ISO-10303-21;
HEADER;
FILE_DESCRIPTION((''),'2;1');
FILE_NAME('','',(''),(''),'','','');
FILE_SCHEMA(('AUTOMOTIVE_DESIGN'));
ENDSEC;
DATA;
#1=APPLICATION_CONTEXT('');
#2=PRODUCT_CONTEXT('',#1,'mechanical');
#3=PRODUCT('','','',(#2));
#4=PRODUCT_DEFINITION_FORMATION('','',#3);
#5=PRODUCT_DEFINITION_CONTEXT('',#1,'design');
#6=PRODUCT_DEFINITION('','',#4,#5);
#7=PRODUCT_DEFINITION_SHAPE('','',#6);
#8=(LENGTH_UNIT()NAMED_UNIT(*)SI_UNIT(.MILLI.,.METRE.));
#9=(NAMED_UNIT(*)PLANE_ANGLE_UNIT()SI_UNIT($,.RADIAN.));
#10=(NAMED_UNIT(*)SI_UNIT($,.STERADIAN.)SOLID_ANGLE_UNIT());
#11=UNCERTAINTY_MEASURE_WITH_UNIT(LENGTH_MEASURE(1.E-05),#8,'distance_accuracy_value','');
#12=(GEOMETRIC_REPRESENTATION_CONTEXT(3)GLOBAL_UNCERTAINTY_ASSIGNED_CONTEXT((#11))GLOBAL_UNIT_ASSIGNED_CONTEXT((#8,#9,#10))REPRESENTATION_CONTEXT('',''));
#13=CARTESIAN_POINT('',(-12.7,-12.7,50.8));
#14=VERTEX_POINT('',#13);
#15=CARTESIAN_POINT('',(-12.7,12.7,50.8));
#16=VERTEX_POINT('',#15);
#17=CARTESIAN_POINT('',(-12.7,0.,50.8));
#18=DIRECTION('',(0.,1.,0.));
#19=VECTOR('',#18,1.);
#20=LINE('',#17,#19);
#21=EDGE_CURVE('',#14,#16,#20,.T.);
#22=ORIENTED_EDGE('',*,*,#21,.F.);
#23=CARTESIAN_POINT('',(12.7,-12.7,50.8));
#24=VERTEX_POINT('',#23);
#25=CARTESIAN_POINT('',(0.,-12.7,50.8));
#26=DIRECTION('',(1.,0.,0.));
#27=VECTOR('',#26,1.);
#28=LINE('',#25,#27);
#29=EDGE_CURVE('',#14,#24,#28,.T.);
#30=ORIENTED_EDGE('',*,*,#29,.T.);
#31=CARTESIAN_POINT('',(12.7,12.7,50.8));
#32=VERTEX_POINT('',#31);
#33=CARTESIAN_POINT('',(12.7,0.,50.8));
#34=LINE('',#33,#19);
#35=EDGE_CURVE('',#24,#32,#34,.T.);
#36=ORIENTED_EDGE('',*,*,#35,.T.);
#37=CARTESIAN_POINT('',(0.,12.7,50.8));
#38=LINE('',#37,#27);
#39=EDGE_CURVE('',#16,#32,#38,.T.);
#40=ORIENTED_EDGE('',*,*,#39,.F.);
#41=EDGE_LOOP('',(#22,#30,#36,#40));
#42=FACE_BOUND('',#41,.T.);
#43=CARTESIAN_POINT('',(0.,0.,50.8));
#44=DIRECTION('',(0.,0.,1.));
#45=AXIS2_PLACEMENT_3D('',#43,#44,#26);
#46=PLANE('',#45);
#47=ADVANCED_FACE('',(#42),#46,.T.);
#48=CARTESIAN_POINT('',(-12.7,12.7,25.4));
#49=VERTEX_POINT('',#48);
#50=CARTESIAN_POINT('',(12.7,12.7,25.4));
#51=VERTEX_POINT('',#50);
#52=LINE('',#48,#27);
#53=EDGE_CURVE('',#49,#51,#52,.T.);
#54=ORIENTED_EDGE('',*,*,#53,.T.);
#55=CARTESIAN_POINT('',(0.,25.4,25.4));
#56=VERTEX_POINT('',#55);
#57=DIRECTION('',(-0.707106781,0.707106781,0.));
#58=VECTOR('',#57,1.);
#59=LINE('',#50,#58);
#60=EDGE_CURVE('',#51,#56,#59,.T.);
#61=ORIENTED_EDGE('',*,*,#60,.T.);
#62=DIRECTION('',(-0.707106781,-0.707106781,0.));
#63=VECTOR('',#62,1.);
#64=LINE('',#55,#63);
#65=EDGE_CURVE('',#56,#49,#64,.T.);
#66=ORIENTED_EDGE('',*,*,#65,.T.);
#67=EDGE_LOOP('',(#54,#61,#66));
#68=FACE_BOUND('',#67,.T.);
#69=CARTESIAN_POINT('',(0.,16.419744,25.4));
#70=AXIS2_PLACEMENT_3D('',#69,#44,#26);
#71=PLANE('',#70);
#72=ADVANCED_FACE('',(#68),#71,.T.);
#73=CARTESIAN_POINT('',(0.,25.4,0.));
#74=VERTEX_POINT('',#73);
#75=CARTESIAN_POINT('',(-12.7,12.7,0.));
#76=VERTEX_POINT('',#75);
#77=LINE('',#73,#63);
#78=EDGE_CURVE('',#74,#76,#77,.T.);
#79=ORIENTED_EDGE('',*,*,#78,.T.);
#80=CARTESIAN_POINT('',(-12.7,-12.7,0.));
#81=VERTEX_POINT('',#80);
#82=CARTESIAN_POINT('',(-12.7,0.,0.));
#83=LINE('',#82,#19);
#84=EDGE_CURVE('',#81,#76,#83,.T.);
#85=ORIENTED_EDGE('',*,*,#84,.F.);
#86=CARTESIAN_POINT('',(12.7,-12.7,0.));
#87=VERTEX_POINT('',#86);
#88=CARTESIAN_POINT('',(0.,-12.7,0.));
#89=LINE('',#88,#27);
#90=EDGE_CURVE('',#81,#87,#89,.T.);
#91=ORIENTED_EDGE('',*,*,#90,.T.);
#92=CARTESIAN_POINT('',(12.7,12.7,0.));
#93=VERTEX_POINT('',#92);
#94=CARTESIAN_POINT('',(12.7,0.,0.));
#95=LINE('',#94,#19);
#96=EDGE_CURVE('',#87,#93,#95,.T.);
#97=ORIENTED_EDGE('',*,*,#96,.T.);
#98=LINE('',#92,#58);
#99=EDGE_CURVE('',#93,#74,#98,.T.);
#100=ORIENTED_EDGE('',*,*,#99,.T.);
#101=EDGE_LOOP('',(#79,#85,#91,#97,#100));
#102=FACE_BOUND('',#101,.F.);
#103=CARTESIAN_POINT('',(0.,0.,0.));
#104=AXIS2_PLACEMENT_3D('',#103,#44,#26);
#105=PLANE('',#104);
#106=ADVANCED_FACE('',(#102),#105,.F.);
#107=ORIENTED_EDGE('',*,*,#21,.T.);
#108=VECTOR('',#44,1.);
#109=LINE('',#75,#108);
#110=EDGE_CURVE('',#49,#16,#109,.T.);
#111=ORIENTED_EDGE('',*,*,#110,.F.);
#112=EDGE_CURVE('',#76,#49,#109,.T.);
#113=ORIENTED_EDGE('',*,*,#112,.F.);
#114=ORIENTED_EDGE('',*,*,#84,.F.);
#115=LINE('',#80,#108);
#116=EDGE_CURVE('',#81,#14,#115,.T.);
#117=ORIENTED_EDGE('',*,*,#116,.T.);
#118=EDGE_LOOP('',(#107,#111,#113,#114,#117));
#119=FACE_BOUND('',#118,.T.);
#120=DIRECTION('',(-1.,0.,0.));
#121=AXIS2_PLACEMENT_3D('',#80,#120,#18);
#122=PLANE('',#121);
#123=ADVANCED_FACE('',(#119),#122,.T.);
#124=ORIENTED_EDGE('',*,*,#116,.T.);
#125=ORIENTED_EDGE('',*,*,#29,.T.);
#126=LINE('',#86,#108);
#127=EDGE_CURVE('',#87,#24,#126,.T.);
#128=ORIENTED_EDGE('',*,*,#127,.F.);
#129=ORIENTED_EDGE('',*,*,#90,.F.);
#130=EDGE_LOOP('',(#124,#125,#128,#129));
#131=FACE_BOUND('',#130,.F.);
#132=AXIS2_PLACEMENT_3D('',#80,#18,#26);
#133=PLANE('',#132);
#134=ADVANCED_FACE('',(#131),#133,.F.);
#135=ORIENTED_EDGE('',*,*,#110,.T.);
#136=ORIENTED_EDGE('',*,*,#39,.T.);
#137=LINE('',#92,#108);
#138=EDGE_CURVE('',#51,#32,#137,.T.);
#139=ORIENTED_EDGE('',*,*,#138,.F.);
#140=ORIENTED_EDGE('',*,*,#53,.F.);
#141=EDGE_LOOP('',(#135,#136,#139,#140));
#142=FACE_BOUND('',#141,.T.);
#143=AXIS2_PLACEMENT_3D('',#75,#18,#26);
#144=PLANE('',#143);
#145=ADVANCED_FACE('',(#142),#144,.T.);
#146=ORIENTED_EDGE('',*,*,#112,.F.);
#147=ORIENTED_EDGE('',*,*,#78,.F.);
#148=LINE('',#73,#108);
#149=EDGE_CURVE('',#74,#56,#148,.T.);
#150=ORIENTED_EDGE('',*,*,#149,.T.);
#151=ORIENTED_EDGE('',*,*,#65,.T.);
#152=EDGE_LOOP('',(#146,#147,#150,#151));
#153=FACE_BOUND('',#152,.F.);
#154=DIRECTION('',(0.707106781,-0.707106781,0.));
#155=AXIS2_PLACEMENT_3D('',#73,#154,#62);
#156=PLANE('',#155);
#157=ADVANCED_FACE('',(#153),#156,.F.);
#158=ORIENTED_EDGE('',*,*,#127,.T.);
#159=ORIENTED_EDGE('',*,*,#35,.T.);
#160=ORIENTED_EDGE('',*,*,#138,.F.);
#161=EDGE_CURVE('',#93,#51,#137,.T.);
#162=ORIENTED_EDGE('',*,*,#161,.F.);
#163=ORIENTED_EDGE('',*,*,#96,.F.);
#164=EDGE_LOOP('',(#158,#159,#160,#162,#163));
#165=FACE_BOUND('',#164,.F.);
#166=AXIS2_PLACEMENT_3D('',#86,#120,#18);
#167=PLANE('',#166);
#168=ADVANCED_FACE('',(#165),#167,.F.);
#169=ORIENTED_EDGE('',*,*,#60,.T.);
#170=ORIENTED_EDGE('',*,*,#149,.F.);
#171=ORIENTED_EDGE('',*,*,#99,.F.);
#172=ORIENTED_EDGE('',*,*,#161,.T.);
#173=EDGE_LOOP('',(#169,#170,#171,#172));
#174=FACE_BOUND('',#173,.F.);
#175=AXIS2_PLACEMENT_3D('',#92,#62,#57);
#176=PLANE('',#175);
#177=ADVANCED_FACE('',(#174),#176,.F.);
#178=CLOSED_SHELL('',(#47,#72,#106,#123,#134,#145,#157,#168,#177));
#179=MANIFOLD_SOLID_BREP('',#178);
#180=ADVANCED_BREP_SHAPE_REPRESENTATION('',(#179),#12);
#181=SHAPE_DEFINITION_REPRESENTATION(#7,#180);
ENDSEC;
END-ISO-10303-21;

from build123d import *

# Parameters (mm, degrees)
F1_DEPTH = 25.4
F0_W     = 25.4
F0_H     = 25.4
F2_DEPTH = 50.8


with BuildPart() as f1:
    # F0 (on Top) → F1 (new body)
    with BuildSketch(Plane.XY):
        Polygon((-12.7, 12.7), (12.7, 12.7), (0, 25.4), align=None)
    extrude(amount=F1_DEPTH)

    # F0 (on Top) → F2 (join)
    with BuildSketch(Plane.XY):
        Rectangle(F0_W, F0_H)
    extrude(amount=F2_DEPTH)


solid = f1.part
